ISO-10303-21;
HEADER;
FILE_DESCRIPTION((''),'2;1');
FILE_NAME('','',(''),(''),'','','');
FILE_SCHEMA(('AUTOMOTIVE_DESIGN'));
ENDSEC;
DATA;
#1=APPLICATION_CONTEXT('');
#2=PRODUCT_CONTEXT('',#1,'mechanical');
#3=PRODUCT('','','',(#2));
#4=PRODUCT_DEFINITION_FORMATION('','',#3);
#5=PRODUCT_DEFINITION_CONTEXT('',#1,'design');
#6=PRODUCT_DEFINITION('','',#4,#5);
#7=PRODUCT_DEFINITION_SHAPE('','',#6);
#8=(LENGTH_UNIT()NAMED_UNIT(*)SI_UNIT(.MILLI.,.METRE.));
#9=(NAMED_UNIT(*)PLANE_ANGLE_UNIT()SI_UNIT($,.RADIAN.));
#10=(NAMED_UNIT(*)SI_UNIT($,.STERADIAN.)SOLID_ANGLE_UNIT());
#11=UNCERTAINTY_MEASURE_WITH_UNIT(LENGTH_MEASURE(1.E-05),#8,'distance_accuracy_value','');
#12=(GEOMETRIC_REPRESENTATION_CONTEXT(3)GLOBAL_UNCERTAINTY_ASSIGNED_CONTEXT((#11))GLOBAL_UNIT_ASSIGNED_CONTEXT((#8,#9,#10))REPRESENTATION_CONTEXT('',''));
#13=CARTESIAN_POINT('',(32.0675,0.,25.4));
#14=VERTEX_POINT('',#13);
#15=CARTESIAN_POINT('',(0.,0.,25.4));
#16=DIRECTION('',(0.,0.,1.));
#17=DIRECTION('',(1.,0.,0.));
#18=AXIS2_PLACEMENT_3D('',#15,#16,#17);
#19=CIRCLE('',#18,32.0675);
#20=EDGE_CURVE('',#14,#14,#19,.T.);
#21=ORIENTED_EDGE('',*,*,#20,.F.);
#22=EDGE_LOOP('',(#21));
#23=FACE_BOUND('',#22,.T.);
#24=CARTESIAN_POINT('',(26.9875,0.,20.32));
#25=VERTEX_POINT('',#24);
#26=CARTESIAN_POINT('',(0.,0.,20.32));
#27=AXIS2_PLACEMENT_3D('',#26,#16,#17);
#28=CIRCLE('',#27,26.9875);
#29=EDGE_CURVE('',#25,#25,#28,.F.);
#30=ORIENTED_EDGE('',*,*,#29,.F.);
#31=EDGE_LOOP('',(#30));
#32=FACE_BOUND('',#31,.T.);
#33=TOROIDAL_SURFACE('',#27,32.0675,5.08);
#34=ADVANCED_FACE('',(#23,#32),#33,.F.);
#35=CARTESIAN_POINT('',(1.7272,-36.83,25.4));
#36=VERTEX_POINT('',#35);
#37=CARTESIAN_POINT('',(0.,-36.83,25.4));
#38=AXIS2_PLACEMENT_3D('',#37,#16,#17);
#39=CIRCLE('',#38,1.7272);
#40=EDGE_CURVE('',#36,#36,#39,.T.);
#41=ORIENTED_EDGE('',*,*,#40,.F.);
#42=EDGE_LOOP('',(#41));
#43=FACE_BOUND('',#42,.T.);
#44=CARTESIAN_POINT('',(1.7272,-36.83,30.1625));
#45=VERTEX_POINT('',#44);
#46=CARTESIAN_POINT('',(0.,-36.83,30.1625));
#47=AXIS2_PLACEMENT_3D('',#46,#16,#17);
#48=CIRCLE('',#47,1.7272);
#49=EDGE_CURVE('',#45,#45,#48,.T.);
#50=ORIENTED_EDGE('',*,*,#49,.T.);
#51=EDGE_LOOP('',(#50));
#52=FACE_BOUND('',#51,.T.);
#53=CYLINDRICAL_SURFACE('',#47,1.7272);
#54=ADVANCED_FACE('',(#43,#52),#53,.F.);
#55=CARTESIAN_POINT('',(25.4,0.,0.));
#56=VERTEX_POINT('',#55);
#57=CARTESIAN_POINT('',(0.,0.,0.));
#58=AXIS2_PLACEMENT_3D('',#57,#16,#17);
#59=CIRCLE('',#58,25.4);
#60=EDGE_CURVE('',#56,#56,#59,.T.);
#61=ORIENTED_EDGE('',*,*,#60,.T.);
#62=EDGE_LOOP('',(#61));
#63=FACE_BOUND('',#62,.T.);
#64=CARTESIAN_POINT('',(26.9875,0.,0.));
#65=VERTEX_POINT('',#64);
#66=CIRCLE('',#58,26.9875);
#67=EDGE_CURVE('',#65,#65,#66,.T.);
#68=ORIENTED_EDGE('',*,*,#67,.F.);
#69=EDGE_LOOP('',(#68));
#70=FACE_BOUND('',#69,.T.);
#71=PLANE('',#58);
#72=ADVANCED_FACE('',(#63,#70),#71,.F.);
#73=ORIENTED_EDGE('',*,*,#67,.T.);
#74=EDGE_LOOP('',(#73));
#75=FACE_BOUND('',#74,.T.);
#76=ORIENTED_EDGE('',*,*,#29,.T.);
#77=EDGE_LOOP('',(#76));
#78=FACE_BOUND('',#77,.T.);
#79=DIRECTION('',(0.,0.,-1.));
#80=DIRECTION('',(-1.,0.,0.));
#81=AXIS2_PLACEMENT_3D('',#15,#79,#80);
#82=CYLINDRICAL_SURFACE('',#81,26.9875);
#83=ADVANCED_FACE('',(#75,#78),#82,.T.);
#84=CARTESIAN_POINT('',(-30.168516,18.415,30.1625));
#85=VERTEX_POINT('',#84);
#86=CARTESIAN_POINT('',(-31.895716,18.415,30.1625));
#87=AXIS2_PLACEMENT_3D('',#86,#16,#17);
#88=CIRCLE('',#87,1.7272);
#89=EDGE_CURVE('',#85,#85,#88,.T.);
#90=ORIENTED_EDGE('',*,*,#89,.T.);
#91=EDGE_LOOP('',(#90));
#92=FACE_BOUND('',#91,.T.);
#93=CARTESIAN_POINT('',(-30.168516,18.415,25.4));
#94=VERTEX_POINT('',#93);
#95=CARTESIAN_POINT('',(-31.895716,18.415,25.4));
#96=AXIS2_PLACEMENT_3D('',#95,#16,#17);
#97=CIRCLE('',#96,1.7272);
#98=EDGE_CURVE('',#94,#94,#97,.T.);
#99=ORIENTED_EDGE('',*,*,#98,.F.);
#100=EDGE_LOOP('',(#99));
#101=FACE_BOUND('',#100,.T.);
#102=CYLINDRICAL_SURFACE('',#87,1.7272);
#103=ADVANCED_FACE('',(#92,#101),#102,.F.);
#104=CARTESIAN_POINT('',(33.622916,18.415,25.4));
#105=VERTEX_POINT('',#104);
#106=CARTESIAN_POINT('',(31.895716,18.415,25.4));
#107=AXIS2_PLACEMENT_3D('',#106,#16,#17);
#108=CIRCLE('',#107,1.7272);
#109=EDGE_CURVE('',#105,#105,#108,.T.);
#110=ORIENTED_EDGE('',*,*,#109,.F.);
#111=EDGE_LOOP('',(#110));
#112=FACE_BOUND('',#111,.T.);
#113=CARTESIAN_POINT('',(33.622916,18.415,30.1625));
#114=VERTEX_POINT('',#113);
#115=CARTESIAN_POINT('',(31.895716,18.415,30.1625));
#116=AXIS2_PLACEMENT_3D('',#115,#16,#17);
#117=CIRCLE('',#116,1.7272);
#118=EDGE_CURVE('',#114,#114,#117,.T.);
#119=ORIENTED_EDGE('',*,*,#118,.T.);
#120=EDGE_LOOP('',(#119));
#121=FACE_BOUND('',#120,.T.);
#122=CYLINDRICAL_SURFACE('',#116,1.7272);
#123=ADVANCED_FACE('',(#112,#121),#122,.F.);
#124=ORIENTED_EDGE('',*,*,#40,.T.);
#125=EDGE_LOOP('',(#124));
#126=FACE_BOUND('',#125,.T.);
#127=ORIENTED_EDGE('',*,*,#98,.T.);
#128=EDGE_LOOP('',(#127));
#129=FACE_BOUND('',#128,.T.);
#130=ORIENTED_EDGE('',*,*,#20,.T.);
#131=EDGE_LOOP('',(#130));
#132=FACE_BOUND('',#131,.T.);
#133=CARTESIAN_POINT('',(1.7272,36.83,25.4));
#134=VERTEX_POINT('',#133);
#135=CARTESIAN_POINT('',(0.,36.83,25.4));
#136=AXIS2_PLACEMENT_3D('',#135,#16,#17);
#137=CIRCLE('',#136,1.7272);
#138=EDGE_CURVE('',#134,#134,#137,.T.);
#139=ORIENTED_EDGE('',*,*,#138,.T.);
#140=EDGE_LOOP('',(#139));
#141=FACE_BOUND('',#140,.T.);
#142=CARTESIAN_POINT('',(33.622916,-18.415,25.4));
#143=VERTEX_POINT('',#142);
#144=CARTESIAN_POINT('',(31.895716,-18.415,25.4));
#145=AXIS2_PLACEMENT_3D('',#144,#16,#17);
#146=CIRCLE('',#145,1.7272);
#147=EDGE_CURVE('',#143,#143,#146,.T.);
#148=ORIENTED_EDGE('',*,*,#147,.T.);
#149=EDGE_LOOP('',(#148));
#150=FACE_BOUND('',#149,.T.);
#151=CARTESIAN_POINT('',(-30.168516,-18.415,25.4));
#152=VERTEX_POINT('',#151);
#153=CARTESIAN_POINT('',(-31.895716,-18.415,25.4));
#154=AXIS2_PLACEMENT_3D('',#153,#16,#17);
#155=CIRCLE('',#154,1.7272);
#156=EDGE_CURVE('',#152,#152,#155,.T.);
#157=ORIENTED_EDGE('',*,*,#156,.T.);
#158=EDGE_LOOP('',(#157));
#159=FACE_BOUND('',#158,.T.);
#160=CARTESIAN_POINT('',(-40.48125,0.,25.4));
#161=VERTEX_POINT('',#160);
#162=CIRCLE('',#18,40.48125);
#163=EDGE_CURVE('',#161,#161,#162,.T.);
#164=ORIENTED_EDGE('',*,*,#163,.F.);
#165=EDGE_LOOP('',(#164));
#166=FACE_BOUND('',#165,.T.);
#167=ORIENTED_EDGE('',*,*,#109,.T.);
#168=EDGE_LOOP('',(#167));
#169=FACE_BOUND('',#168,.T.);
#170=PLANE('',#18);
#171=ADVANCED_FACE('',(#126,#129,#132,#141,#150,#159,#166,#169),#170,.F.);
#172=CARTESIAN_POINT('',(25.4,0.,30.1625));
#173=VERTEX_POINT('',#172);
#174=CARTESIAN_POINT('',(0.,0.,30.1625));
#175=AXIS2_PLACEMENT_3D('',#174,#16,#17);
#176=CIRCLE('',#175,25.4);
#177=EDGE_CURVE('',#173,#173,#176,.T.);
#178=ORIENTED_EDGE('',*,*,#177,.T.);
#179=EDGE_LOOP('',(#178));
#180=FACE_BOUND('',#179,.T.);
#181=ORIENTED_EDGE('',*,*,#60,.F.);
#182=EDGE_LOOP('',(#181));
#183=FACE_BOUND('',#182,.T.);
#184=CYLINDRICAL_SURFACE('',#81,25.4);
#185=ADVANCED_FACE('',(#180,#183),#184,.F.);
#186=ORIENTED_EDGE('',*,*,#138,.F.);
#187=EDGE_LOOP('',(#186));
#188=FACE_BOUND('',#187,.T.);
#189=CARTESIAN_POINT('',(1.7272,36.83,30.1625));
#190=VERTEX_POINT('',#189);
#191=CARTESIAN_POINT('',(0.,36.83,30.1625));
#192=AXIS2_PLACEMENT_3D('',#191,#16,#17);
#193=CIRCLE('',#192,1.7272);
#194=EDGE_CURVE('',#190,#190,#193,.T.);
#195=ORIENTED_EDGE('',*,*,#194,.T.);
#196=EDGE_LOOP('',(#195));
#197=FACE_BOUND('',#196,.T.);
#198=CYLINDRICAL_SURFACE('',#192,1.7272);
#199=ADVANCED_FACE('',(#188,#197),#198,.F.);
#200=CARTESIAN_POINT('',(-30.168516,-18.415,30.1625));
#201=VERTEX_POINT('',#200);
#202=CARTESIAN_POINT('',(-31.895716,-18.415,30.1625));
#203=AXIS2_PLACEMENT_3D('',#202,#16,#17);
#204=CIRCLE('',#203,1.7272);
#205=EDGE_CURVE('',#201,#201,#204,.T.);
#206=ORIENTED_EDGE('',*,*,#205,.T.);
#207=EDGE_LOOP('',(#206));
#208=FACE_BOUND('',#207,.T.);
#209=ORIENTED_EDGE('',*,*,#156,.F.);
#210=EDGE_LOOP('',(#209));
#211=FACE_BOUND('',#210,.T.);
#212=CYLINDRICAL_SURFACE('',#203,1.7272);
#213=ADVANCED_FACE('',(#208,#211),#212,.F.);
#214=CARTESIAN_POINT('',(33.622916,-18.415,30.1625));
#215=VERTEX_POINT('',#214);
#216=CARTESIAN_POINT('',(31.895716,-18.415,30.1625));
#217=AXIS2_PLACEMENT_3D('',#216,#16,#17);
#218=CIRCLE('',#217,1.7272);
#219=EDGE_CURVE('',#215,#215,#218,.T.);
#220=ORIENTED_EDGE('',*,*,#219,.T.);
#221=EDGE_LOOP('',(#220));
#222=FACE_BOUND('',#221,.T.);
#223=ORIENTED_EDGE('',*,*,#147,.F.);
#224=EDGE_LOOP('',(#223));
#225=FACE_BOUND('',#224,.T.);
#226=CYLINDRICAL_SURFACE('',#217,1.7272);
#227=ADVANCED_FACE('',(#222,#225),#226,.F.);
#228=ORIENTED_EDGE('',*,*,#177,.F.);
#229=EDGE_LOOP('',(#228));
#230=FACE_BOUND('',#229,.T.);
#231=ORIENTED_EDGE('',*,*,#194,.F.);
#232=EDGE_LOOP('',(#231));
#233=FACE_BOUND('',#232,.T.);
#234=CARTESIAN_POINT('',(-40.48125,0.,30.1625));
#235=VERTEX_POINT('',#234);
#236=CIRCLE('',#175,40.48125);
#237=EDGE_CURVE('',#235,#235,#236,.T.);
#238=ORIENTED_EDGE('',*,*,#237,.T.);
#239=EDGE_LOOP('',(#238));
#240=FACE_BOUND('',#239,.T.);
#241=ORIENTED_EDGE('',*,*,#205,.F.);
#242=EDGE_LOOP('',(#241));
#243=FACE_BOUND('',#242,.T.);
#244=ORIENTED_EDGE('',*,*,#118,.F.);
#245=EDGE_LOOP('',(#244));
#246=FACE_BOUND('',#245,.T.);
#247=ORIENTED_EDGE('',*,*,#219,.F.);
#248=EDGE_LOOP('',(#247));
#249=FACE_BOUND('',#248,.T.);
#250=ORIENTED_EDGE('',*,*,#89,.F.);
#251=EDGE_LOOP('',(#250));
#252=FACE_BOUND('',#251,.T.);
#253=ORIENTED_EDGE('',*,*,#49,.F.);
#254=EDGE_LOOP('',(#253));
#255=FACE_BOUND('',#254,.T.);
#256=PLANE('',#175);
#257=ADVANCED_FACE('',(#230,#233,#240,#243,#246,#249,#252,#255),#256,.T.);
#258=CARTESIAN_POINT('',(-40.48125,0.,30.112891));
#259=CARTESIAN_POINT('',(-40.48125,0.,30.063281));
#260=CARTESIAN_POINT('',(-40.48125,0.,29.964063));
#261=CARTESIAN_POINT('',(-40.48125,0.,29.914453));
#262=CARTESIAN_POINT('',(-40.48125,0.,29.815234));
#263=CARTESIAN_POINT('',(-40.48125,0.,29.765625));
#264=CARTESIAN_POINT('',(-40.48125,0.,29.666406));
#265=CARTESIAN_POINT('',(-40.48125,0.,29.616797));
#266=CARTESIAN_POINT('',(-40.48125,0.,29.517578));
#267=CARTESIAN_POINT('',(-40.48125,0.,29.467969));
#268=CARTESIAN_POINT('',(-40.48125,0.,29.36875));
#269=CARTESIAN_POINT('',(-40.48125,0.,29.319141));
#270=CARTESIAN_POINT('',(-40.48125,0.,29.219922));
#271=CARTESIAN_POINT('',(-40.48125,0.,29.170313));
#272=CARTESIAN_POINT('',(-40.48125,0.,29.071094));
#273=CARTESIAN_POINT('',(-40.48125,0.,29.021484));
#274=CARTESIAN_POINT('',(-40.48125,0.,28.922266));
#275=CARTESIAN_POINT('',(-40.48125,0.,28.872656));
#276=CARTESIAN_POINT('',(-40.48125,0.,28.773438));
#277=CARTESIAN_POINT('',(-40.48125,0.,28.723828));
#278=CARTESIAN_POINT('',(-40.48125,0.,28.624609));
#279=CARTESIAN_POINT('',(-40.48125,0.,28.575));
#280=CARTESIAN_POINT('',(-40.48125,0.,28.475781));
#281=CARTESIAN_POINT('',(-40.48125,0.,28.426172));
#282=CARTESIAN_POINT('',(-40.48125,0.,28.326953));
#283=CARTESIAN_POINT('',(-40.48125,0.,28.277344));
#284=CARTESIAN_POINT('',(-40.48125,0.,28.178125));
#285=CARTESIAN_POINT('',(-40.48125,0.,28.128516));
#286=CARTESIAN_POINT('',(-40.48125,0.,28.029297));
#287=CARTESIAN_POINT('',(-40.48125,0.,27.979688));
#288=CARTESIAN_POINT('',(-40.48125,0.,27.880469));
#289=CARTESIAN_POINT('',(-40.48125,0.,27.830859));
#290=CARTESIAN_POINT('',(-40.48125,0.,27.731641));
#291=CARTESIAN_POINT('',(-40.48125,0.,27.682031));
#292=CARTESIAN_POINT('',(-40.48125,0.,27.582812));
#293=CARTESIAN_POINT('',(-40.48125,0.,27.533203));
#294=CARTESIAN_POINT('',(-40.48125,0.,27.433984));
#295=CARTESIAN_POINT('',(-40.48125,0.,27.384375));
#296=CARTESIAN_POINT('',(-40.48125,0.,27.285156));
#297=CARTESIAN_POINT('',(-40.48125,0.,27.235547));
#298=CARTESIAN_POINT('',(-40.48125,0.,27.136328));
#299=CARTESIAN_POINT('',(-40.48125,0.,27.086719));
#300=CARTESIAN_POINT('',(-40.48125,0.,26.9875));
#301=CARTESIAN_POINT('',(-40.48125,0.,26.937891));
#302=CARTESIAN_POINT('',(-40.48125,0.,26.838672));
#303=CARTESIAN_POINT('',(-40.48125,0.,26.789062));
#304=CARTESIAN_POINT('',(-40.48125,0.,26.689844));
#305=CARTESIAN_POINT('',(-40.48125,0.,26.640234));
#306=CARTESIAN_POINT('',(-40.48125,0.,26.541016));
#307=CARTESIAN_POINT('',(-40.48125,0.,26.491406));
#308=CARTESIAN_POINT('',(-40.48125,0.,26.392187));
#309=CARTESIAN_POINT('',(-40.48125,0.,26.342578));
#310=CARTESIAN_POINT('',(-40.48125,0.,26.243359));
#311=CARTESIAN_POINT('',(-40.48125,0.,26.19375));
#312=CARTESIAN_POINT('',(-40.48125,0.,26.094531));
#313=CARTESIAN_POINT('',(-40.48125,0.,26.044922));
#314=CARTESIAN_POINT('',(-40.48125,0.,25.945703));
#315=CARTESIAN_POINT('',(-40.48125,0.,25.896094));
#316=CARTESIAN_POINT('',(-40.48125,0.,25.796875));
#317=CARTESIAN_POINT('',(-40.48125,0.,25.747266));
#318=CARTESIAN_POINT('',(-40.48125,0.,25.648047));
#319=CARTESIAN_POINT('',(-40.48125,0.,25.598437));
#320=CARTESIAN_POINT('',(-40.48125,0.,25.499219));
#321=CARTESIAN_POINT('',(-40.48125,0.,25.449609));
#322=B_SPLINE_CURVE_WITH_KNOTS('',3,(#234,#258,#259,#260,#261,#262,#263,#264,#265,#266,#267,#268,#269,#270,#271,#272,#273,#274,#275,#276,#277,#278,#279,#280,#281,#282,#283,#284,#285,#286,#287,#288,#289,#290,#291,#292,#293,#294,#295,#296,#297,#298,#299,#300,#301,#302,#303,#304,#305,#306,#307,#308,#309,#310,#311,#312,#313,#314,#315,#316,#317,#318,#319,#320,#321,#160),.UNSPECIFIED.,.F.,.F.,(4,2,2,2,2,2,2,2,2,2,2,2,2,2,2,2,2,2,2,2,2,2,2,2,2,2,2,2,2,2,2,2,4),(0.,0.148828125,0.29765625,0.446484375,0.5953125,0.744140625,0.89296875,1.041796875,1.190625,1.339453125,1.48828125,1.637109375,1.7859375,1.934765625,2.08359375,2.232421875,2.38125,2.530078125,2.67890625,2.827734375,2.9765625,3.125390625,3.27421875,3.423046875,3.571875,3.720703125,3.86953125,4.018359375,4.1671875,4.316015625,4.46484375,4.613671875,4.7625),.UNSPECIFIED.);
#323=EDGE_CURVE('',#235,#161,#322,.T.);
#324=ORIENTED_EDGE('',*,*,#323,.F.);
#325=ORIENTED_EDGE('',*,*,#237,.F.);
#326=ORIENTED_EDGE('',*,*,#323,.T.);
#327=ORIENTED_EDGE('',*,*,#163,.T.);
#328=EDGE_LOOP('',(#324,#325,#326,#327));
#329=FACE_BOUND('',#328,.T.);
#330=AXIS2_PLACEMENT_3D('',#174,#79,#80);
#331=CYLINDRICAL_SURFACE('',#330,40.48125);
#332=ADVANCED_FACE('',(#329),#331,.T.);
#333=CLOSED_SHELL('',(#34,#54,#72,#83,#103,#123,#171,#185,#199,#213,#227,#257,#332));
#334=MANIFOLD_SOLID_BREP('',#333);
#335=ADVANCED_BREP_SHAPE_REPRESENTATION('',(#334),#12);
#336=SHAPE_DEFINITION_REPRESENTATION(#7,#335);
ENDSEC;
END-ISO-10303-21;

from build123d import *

# Parameters (mm, degrees)
SKETCH1_R           = 26.9875
SKETCH1_R_2         = 25.4
BOSS_EXTRUDE1_DEPTH = 25.4
SKETCH2_R           = 40.48125
SKETCH2_R_2         = 25.4
BOSS_EXTRUDE2_DEPTH = 4.7625
FILLET1_R           = 5.08
CIRPATTERN1_COUNT   = 6


with BuildPart() as part:
    # Sketch1 → Boss-Extrude1 (new body)
    with BuildSketch(Plane.XY):
        Circle(SKETCH1_R)
        Circle(SKETCH1_R_2, mode=Mode.SUBTRACT)
    extrude(amount=BOSS_EXTRUDE1_DEPTH)

    # Sketch2 → Boss-Extrude2 (add)
    with BuildSketch(Plane.XY.offset(25.4)):
        with Locations(Location((0, 0, 0), (0, 0, 180))):
            Circle(SKETCH2_R)
        Circle(SKETCH2_R_2, mode=Mode.SUBTRACT)
    extrude(amount=BOSS_EXTRUDE2_DEPTH)

    # Fillet1
    fillet1_edges = [part.edges().sort_by_distance(p)[0] for p in [
        (-26.9875, 0, 25.4),
    ]]
    fillet(fillet1_edges, radius=FILLET1_R)

    # Sketch7 → #8-32 Tapped Hole1 (revolve, cut)
    with BuildSketch(Plane(origin=(0, 36.83, 30.1625), x_dir=(0, -1, 0), z_dir=(1, 0, 0))):
        Polygon((0, 0), (0, 11.705806461), (1.7272, 10.668), (1.7272, 0), align=None)
    f_8_32_tapped_hole1 = revolve(axis=Axis((0, 36.83, 36.5125), (0, 0, -1)), mode=Mode.SUBTRACT)

    # CirPattern1: #8-32 Tapped Hole1 ×6 about axis
    cirpattern1_axis = Axis((0, 0, 0), (0, 0, 1))
    for i in range(1, CIRPATTERN1_COUNT):
        add(f_8_32_tapped_hole1.rotate(cirpattern1_axis, i * 360 / CIRPATTERN1_COUNT), mode=Mode.SUBTRACT)


solid = part.part
